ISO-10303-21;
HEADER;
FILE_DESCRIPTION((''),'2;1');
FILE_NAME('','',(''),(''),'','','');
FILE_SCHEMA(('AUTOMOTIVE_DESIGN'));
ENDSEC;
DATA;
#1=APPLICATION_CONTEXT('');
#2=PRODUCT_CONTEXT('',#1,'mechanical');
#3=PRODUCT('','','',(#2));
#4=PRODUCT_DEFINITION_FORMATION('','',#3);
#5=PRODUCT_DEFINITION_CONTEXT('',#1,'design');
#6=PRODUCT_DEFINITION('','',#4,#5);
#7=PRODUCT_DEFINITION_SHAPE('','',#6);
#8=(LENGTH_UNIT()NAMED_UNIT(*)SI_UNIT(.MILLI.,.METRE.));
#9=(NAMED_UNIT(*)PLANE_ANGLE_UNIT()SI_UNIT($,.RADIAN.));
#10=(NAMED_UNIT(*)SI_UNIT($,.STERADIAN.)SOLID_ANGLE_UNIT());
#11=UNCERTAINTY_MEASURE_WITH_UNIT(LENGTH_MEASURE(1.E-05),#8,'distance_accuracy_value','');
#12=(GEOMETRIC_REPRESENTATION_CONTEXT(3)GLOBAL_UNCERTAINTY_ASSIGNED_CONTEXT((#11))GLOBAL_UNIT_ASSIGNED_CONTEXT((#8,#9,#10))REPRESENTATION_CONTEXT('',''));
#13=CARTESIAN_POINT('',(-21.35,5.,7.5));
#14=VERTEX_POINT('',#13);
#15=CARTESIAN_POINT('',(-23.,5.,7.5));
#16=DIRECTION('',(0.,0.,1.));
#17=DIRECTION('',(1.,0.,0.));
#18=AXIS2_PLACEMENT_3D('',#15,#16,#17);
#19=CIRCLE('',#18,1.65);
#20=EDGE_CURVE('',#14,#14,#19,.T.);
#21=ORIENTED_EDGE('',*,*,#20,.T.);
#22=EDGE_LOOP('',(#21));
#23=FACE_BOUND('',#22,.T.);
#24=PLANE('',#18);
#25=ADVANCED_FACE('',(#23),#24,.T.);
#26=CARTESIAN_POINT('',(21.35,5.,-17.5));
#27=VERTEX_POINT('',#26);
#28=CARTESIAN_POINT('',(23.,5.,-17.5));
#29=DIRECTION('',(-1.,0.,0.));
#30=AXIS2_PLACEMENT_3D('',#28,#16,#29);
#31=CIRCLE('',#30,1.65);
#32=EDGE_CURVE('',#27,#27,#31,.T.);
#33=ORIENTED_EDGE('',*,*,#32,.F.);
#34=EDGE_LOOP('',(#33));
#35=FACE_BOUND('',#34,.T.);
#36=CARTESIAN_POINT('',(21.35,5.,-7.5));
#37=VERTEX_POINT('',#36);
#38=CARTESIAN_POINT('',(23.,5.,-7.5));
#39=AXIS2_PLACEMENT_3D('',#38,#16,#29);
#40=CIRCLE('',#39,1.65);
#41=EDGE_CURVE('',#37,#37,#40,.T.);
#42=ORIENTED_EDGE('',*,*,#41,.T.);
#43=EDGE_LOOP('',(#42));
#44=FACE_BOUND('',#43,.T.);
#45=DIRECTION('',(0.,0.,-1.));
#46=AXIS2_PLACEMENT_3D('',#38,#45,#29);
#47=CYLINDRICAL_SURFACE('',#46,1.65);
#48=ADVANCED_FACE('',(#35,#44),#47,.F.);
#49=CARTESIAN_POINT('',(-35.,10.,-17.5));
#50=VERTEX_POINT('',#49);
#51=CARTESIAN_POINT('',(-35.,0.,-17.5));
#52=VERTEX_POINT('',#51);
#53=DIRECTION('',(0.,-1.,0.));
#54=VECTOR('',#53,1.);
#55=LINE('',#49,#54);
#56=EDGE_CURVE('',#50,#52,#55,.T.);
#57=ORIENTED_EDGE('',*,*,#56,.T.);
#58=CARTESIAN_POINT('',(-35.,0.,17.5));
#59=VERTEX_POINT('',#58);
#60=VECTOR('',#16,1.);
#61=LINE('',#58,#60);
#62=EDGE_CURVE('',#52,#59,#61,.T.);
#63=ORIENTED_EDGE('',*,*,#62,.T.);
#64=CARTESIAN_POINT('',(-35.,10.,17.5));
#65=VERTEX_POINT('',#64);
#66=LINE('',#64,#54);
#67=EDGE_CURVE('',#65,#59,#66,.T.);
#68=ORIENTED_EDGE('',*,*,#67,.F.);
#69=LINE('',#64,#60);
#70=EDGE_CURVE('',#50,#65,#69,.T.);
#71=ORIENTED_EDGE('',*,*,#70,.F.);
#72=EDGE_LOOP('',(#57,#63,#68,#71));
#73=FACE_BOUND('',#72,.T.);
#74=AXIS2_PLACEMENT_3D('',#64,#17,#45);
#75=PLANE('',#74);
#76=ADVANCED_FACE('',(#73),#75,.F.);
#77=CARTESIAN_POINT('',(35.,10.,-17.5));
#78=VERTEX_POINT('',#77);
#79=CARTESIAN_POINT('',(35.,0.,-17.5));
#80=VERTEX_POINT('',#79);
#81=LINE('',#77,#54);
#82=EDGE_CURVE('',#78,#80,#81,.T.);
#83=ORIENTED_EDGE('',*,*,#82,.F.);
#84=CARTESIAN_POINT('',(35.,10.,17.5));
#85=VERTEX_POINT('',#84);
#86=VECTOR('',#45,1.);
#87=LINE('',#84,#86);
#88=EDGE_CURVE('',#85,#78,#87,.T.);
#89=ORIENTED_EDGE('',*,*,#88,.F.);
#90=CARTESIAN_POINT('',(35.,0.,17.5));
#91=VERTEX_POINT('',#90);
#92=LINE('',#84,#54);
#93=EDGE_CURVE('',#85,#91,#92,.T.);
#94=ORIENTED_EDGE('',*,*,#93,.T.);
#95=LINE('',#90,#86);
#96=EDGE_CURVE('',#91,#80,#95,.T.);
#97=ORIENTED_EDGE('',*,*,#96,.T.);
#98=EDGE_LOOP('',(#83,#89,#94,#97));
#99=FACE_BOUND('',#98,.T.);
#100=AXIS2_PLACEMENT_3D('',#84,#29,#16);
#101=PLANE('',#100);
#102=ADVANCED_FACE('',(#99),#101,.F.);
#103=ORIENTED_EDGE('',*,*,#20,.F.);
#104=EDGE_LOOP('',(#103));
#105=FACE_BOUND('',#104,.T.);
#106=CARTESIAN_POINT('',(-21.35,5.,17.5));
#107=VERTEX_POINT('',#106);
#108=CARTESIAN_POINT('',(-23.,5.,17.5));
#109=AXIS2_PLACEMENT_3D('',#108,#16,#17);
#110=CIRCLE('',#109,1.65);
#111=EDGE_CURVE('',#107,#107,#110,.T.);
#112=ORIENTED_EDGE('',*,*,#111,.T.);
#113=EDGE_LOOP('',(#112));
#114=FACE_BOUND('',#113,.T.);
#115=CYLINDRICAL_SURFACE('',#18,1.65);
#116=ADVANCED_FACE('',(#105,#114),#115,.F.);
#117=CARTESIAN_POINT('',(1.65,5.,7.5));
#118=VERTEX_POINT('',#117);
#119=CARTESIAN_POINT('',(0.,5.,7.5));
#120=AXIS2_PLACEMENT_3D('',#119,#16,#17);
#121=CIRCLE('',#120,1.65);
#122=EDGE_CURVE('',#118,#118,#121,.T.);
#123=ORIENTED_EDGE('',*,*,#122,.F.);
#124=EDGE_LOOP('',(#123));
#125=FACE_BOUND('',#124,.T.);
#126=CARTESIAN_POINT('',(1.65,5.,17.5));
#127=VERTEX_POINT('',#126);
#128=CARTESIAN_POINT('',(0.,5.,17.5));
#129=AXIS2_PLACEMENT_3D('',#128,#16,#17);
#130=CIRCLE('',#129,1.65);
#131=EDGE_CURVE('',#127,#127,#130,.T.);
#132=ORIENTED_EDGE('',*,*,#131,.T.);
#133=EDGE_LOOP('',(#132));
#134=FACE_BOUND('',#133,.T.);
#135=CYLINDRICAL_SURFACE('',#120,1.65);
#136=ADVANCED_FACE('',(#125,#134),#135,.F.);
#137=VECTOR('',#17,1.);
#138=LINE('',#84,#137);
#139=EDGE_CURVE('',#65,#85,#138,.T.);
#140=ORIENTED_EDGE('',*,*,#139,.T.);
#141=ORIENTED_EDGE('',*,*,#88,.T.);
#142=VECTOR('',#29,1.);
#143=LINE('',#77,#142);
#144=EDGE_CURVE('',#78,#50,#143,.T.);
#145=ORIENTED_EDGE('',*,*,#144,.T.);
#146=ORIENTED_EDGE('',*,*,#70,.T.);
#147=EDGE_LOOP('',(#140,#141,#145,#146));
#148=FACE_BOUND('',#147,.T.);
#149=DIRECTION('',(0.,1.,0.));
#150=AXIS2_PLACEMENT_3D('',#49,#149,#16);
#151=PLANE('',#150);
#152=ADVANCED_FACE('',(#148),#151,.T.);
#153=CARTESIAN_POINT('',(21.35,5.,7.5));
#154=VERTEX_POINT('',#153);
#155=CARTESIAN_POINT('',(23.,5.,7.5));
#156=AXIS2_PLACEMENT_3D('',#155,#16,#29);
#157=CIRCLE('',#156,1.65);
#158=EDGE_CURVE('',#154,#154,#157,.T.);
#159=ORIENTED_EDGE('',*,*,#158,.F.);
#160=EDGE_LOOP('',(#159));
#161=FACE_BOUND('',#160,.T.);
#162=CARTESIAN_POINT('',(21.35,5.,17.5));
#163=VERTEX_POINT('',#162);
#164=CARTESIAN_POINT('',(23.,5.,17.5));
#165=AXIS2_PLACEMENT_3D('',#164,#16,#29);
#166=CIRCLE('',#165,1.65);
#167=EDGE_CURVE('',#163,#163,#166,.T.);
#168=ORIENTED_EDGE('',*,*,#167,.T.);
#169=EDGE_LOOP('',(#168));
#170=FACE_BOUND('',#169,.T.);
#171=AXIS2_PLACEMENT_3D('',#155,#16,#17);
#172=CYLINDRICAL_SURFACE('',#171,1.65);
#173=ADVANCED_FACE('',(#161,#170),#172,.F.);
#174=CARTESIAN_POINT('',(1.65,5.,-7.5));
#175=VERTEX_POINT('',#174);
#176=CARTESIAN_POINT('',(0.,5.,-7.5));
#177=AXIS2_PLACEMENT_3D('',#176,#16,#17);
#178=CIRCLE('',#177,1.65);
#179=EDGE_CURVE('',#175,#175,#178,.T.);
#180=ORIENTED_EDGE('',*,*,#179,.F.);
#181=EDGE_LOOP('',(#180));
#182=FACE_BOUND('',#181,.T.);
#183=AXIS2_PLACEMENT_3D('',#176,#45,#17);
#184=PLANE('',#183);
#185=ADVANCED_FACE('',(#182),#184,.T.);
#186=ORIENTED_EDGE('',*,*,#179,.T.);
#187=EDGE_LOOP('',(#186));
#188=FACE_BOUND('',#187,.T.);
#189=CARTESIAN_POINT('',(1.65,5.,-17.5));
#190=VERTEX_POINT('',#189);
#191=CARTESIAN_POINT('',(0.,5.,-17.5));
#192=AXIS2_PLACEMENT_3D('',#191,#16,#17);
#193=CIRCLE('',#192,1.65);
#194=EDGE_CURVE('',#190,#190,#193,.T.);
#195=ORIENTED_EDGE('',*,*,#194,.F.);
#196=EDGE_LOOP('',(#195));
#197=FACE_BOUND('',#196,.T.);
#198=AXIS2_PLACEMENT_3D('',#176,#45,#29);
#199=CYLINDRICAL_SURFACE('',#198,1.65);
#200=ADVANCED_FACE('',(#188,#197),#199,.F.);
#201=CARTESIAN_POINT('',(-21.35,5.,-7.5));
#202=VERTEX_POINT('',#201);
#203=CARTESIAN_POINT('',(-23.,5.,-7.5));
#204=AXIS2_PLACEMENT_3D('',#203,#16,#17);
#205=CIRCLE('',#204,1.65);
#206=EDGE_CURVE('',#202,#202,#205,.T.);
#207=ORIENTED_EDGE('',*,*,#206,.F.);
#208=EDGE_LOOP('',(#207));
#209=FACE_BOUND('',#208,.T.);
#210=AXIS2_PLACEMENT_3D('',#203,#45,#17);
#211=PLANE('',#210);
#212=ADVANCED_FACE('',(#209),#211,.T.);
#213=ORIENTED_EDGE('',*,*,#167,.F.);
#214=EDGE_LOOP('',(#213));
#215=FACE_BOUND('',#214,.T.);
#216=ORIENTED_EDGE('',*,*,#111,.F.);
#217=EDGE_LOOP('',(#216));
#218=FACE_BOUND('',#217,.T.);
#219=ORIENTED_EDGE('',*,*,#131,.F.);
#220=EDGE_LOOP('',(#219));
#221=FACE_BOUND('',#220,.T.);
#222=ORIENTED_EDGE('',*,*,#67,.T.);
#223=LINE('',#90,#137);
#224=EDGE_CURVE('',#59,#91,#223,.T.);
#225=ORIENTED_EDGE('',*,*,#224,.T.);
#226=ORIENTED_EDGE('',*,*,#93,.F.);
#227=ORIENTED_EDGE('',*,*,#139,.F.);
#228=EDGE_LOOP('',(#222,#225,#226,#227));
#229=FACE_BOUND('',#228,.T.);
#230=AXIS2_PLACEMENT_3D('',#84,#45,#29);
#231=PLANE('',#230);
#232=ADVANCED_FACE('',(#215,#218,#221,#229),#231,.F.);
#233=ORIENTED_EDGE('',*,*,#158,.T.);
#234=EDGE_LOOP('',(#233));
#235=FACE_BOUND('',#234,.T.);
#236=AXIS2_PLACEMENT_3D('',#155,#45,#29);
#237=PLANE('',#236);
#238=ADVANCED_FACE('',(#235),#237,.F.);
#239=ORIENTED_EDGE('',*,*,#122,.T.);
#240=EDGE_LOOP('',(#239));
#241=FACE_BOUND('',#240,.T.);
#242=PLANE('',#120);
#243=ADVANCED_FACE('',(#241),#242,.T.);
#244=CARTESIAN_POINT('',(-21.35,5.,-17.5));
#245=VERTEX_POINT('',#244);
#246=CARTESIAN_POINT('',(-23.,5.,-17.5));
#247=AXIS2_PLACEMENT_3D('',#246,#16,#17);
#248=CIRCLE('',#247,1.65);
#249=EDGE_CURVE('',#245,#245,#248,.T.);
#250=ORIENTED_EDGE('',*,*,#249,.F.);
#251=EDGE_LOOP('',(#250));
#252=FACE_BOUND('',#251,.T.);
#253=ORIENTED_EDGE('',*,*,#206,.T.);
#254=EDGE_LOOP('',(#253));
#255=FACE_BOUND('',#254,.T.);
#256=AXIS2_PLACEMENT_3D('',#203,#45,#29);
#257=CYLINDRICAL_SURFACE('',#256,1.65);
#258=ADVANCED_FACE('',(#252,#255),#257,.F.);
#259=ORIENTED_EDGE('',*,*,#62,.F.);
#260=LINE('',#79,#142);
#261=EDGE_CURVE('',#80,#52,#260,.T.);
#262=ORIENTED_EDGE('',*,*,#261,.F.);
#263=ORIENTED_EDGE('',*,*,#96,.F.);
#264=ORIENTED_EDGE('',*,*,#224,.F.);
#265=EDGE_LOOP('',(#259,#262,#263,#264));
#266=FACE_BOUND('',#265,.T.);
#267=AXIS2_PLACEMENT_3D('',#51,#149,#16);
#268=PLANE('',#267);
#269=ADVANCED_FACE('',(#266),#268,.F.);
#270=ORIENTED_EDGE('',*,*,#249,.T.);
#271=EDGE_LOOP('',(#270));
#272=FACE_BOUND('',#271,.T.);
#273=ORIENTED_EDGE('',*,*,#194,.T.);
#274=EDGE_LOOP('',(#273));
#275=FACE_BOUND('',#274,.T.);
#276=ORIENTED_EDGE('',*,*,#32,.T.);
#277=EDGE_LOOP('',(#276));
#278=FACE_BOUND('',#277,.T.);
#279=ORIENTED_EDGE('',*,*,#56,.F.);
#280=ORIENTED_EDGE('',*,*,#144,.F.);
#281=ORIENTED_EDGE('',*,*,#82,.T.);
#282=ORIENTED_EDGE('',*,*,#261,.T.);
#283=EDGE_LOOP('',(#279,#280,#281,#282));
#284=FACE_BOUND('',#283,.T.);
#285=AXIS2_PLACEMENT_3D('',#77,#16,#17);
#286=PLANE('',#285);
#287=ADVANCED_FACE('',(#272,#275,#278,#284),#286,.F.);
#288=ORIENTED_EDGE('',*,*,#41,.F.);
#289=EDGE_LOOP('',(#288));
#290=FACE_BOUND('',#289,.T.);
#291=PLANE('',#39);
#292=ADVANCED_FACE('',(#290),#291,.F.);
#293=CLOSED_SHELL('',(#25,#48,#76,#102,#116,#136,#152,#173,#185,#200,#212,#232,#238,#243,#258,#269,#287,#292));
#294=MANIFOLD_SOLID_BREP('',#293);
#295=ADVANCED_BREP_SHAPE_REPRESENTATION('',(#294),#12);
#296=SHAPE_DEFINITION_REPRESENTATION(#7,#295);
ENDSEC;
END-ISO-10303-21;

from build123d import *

# Parameters (mm, degrees)
SKETCH1_W           = 70
SKETCH1_H           = 35
BOSS_EXTRUDE1_DEPTH = 10
SKETCH2_R           = 1.65
CUT_EXTRUDE1_DEPTH  = 10


with BuildPart() as part:
    # Sketch1 → Boss-Extrude1 (new body)
    with BuildSketch(Plane(origin=(0, 0, 0), x_dir=(1, 0, 0), z_dir=(0, 1, 0))):
        Rectangle(SKETCH1_W, SKETCH1_H)
    extrude(amount=BOSS_EXTRUDE1_DEPTH)

    # Sketch2 → Cut-Extrude1 (cut)
    with BuildSketch(Plane.XY.offset(17.5)):
        with Locations((0, 5)):
            Circle(SKETCH2_R)
        with Locations((-23, 5)):
            Circle(SKETCH2_R)
        with Locations(Location((23, 5, 0), (0, 0, 180))):
            Circle(SKETCH2_R)
    cut_extrude1 = extrude(amount=-CUT_EXTRUDE1_DEPTH, mode=Mode.SUBTRACT)

    # Mirror1: Cut-Extrude1 across plane
    add(cut_extrude1.mirror(Plane.XY), mode=Mode.SUBTRACT)


solid = part.part
